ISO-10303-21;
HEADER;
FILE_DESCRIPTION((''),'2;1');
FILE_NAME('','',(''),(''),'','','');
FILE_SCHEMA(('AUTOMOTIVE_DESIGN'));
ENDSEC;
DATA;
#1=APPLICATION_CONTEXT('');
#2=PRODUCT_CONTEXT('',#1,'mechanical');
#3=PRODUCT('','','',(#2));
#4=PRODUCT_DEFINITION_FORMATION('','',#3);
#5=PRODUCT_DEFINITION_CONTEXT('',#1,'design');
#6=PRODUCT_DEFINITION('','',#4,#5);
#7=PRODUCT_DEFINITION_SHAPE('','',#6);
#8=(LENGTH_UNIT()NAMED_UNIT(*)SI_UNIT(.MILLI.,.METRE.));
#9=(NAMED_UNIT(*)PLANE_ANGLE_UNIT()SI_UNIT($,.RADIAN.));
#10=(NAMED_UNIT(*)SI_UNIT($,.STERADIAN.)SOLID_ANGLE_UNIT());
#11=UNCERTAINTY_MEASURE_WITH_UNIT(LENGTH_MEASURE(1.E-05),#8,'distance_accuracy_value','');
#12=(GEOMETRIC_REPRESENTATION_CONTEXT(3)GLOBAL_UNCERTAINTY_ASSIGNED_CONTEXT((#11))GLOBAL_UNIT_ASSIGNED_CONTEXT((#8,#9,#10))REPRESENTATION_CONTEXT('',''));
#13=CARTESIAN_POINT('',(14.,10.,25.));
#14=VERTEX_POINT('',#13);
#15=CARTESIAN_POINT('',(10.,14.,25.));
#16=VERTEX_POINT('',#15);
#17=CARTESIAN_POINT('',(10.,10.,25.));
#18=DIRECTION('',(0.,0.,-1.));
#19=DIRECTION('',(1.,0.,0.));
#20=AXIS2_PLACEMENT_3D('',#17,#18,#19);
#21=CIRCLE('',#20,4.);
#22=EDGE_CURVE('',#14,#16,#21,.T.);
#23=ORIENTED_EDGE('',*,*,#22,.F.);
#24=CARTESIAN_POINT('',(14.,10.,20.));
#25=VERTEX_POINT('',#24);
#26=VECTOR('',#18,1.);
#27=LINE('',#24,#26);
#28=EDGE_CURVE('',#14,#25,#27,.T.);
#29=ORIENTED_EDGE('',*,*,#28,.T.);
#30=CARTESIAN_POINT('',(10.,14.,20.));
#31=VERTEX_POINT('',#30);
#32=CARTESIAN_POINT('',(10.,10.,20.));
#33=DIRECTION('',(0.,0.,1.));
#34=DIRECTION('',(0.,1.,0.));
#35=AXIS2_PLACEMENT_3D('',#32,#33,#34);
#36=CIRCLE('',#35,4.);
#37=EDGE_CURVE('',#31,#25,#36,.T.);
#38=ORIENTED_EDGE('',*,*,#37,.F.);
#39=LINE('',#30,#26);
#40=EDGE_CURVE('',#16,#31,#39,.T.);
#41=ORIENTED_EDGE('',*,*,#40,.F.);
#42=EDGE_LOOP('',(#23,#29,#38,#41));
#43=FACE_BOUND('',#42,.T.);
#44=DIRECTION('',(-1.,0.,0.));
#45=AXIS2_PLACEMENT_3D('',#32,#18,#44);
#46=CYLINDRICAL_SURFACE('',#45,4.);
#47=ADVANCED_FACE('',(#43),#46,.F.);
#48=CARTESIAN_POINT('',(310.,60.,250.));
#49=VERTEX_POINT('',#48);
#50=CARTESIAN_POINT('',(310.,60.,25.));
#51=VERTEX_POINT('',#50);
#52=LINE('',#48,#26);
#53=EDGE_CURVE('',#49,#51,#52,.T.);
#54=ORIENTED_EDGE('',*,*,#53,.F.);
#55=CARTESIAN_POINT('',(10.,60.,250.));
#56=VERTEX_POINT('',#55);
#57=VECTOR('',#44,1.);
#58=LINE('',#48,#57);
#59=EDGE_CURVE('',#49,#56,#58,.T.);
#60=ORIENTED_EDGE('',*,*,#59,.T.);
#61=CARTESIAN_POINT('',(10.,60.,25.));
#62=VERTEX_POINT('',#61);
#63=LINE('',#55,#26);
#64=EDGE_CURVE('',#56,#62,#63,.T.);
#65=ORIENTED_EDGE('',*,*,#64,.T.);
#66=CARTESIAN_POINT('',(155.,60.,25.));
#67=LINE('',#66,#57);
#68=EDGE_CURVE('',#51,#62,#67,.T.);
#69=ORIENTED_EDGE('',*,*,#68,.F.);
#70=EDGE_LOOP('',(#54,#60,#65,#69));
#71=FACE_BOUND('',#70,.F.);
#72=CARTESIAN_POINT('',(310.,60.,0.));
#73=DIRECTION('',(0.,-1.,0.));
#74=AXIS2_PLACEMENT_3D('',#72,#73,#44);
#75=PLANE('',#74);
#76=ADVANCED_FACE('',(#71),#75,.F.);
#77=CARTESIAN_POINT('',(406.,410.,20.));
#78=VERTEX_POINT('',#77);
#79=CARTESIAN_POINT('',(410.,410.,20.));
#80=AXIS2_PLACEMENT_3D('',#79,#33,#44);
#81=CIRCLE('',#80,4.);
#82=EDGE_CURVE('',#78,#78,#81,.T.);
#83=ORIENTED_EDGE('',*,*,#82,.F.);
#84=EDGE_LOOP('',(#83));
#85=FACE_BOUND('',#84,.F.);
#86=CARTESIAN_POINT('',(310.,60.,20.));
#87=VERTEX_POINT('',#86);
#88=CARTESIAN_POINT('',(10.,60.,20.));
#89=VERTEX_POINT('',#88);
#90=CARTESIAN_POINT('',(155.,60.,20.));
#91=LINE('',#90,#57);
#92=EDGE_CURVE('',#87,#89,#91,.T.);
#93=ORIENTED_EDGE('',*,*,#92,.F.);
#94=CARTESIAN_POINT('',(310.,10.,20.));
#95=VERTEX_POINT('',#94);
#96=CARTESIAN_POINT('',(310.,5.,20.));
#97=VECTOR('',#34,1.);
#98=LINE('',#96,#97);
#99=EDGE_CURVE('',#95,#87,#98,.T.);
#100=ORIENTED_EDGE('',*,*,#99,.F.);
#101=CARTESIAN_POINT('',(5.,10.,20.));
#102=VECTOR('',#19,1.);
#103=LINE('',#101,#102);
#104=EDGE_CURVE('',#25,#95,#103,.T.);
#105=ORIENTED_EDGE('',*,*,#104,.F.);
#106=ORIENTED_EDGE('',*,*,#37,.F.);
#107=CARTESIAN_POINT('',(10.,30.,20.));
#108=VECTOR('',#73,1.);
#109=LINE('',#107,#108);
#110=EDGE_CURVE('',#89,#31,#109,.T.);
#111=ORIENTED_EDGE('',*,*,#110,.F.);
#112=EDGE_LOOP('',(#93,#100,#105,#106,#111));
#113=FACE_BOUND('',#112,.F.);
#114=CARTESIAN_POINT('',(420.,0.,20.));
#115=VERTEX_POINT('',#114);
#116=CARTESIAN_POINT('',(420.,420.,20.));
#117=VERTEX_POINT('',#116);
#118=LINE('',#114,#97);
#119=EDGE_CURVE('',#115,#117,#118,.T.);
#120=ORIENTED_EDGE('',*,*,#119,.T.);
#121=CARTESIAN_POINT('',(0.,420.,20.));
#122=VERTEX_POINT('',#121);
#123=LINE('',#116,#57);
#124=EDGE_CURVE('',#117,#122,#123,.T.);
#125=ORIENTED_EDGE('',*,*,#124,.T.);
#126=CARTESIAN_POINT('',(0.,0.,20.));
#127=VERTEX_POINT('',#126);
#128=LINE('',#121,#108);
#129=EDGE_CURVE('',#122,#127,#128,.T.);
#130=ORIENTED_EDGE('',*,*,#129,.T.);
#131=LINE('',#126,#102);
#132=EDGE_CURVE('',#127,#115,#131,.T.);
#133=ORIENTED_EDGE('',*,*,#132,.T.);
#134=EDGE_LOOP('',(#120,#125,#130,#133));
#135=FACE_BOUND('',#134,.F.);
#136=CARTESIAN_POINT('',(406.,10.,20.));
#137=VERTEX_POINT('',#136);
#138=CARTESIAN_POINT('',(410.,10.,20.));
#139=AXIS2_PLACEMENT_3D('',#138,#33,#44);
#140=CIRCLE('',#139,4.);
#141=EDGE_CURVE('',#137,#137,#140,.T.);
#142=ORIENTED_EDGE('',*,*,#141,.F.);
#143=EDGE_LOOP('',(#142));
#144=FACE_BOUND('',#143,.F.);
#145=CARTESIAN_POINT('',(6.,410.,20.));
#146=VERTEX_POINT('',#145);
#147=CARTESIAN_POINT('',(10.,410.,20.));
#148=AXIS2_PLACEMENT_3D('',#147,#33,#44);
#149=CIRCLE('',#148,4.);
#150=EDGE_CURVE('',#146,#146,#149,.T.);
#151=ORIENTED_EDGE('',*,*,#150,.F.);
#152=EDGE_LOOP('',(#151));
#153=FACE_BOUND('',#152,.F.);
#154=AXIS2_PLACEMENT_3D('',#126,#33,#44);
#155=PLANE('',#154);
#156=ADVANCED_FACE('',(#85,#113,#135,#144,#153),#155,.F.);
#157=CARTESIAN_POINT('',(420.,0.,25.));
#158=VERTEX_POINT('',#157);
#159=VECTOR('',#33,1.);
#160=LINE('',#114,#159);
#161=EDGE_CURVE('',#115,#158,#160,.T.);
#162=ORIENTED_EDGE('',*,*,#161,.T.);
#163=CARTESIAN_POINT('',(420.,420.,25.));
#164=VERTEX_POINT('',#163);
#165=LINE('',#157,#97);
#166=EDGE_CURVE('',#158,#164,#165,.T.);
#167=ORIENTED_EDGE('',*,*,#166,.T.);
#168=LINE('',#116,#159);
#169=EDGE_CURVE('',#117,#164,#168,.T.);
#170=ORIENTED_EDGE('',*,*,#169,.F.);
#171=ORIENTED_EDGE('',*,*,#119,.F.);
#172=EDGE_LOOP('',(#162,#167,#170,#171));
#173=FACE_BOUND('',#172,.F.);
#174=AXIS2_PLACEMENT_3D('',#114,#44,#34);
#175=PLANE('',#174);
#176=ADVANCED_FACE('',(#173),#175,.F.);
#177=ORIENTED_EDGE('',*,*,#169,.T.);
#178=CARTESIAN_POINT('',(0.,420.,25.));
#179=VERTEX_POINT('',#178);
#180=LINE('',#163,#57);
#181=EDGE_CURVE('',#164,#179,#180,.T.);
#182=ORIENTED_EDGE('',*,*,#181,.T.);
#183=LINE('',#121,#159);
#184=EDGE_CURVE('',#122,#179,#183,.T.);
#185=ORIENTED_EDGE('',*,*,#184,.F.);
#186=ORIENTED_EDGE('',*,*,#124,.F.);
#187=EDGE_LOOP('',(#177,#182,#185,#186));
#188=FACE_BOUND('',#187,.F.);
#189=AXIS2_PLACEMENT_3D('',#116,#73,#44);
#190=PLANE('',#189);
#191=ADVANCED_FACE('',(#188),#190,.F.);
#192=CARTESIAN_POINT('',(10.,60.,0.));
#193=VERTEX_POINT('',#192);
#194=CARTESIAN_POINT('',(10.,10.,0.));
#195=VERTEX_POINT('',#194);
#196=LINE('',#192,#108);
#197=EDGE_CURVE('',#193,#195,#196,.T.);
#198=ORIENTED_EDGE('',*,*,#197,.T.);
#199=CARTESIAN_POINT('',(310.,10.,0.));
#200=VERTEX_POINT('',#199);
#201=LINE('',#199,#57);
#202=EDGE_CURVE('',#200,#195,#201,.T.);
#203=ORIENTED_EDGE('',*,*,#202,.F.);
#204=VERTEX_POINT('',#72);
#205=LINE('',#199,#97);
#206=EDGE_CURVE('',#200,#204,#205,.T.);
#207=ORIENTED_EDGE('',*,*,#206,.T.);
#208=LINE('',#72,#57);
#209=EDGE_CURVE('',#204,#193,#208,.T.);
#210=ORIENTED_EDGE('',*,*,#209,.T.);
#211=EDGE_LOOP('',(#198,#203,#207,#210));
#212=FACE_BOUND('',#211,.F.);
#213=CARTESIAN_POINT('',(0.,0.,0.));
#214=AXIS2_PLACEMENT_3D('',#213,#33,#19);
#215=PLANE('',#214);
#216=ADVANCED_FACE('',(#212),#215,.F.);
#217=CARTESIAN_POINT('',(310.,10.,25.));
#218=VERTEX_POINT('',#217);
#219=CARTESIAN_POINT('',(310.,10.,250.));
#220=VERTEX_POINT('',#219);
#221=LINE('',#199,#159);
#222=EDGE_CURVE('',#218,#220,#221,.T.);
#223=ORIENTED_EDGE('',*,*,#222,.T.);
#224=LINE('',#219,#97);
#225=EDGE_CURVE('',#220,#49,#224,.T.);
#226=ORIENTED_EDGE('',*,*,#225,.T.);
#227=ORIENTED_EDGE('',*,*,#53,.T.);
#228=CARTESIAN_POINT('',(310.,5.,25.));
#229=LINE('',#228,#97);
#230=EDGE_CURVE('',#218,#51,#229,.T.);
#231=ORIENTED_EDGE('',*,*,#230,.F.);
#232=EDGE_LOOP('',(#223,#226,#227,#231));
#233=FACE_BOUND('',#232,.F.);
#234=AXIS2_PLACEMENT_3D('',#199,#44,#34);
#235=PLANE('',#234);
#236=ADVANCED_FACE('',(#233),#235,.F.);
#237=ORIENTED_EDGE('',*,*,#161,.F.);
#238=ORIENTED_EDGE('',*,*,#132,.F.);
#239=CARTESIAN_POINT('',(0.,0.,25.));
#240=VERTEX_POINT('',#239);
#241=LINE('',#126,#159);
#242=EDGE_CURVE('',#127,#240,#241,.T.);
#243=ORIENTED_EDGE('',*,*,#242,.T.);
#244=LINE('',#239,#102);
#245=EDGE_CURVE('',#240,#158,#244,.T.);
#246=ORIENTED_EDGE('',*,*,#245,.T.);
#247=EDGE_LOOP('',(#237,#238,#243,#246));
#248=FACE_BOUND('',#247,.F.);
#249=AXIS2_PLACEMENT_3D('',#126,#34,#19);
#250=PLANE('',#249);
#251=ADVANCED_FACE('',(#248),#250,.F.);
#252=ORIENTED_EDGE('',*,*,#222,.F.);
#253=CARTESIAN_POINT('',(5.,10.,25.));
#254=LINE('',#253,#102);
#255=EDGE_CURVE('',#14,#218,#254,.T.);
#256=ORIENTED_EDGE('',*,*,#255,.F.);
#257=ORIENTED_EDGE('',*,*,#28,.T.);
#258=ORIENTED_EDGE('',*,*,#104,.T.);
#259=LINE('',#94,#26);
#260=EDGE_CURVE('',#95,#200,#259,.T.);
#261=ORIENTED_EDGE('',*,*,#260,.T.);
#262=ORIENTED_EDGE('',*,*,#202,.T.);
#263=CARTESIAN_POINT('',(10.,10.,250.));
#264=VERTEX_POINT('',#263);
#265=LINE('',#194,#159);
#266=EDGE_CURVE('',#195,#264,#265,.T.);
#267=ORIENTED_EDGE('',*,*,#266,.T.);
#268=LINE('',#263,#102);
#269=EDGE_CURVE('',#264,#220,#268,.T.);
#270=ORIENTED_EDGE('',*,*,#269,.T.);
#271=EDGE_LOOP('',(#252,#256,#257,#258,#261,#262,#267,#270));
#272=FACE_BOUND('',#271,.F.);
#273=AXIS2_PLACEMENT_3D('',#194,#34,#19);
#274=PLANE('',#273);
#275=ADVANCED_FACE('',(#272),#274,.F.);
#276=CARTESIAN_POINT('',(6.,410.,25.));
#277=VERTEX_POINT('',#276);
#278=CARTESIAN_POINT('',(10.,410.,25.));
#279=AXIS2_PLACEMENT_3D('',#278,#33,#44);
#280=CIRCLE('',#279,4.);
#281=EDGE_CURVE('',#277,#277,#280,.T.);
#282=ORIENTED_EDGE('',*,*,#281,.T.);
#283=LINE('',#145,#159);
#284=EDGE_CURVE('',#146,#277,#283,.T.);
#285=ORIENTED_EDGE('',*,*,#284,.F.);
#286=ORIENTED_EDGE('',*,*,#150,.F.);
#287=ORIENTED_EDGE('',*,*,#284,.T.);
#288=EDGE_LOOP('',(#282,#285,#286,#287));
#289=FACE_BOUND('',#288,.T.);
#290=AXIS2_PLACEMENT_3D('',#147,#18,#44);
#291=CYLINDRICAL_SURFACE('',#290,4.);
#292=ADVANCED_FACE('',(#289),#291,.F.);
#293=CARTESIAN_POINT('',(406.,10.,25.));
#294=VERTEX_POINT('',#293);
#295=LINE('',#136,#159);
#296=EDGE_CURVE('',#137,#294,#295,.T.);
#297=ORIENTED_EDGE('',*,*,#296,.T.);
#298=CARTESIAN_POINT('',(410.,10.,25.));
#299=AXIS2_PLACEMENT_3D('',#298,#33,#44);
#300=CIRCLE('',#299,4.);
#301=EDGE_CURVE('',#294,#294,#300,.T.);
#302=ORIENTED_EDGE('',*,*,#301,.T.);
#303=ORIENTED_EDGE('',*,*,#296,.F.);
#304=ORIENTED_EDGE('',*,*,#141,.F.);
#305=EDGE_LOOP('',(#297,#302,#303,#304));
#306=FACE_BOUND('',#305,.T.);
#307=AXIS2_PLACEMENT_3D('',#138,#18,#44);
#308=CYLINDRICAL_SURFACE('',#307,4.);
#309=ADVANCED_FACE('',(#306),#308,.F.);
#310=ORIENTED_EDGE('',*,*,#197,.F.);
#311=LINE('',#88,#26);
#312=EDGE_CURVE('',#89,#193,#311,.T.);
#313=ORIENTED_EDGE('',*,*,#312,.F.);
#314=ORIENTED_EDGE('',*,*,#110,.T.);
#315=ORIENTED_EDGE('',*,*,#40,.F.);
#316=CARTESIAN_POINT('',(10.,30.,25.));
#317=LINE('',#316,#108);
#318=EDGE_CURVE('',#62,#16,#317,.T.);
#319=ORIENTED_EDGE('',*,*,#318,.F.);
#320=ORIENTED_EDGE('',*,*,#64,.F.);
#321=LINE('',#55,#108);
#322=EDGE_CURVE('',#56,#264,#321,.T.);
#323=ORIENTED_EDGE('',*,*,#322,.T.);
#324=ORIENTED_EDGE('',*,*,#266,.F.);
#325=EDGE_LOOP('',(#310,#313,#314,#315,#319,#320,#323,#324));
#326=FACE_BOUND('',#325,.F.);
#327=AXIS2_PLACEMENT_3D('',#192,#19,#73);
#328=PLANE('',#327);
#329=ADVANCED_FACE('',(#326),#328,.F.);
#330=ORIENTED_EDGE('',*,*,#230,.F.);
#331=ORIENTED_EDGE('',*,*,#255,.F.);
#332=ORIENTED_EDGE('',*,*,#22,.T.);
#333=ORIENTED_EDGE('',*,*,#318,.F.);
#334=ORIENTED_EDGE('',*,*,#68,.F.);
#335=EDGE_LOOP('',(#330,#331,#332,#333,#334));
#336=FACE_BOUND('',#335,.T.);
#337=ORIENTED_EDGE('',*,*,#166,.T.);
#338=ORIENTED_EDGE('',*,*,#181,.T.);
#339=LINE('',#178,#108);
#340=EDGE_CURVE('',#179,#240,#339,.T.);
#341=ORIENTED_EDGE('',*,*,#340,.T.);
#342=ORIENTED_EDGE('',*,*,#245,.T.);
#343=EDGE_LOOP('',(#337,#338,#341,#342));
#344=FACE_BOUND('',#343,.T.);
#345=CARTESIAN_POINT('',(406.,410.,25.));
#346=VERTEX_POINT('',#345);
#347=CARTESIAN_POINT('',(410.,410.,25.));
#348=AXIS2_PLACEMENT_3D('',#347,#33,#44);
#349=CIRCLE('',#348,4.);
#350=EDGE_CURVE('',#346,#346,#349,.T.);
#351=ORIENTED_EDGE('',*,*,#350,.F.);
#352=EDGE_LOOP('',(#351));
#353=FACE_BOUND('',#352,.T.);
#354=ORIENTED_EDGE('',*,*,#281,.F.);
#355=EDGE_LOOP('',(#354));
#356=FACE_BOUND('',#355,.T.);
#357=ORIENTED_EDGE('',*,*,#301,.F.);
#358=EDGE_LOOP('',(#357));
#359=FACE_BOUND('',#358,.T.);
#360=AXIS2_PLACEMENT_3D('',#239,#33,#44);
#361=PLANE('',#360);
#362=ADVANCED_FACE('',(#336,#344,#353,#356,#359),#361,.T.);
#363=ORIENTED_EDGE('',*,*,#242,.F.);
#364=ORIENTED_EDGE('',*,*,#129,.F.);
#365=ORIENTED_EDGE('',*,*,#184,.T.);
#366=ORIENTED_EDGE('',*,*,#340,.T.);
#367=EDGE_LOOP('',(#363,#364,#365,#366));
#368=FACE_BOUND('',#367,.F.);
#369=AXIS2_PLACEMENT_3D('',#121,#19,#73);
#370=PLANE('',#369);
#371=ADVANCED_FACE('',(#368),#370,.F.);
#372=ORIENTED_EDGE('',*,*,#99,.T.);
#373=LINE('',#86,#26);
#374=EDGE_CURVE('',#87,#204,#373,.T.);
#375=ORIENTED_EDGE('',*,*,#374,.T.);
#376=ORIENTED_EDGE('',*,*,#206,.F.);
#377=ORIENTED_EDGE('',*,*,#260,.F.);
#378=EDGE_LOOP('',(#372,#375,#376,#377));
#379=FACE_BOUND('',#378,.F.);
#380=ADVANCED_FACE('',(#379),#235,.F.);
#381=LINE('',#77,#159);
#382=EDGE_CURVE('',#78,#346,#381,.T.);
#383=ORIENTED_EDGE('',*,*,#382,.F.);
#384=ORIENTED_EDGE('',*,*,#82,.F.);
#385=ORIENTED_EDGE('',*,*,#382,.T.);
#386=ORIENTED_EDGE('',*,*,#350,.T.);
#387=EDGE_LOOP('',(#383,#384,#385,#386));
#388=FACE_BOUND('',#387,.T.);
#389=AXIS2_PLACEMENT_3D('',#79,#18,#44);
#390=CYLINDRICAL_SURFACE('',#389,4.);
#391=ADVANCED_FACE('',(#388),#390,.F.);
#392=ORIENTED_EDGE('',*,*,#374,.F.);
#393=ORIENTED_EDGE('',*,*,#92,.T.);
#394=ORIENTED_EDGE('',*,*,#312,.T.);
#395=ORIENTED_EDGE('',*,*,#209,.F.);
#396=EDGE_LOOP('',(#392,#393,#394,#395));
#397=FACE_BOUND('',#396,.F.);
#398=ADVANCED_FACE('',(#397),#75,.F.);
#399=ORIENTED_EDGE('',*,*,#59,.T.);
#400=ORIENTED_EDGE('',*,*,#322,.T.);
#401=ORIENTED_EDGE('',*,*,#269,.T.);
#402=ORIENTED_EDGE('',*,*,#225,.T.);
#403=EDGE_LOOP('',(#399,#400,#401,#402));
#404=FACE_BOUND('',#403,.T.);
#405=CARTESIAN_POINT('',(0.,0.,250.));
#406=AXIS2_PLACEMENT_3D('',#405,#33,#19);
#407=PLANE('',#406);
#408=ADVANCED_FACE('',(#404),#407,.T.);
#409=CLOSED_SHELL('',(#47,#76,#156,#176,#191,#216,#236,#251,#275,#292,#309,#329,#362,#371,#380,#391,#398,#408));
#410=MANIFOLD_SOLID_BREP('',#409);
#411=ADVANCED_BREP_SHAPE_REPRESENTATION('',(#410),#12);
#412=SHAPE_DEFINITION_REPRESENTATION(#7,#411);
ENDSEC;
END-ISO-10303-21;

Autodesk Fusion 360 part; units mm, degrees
sketch "Sketch1" plane through (0, 0, 0) normal (0, 0, 1) x (1, 0, 0)
  circle A0 centre (0, 0) radius 2.4955
  dimension "d1" = 4.991
extrude "Extrude1" add sketch "Sketch1" along normal blind 250
thread "Thread1"

Autodesk Fusion 360 part; units mm, degrees
sketch "Sketch1" plane through (0, 0, 0) normal (0, 0, 1) x (1, 0, 0)
  circle A0 centre (10, 10) radius 2.4955
  circle A1 centre (10, 10) radius 5
  dimension "d1" = 4.991
  dimension "d2" = 10
extrude "Extrude1" add sketch "Sketch1" along normal blind 10

Autodesk Fusion 360 part; units mm, degrees
sketch "Sketch1" plane through (0, 0, 0) normal (0, 0, 1) x (1, 0, 0)
  line L0 (0, 0) -> (350, 0)
  line L1 (350, 0) -> (350, 350)
  line L2 (350, 350) -> (0, 350)
  line L3 (0, 350) -> (0, 0)
  line L4 (-10, 0) -> (-10, -10)
  line L5 (-10, -10) -> (360, -10)
  line L6 (360, -10) -> (360, 360)
  line L7 (360, 360) -> (-10, 360)
  line L8 (-10, 360) -> (-10, -10)
  dimension "d1" = 350
  dimension "d2" = 350
  dimension "d3" = 10
  dimension "d4" = 370
  dimension "d5" = 370
extrude "Extrude1" add sketch "Sketch1" along normal blind 75
sketch "Sketch2" plane through (0, 0, 0) normal (0, 0, 1) x (1, 0, 0)
  line L0 (0, 350) -> (350, 350)
  line L1 (350, 350) -> (350, 0)
  line L2 (350, 0) -> (0, 0)
  line L3 (0, 0) -> (0, 350)
extrude "Extrude2" add sketch "Sketch2" along normal blind 5

Autodesk Fusion 360 part; units mm, degrees
sketch "Sketch1" plane through (0, 0, 0) normal (0, 0, 1) x (1, 0, 0)
  line L0 (0, 0) -> (420, 0)
  line L1 (420, 0) -> (420, 420)
  line L2 (420, 420) -> (0, 420)
  line L3 (0, 420) -> (0, 0)
  dimension "d1" = 420
  dimension "d2" = 420
extrude "Extrude1" add sketch "Sketch1" along normal blind 20
sketch "Sketch2" plane through (0, 0, 20) normal (0, 0, 1) x (-1, 0, 0)
  line L0 (0, -420) -> (0, 0)
  line L1 (0, 0) -> (-420, 0)
  line L2 (-420, 0) -> (-420, -420)
  line L3 (-420, -420) -> (0, -420)
  circle A0 centre (-410, -410) radius 4
  circle A1 centre (-10, -410) radius 4
  circle A2 centre (-410, -10) radius 4
  circle A3 centre (-10, -10) radius 4
  dimension "d7" = 400
  dimension "d8" = 8
  dimension "d9" = 8
  dimension "d10" = 400
  dimension "d11" = 400
  dimension "d12" = 8
  dimension "d13" = 8
extrude "Extrude2" cut sketch "Sketch2" against normal blind 100 contours A0 | A1 | A2 | A3
extrude "Extrude3" cut 1 faces at (144.2065, 144.341, 20) along direction (0, 0, -1) blind 10

Autodesk Fusion 360 part; units mm, degrees
sketch "Sketch1" plane through (0, 0, 0) normal (0, 0, 1) x (1, 0, 0)
  line L0 (10, 10) -> (310, 10)
  line L1 (310, 10) -> (310, 60)
  line L2 (310, 60) -> (10, 60)
  line L3 (10, 60) -> (10, 10)
  dimension "d1" = 300
  dimension "d2" = 50
extrude "Extrude1" add sketch "Sketch1" along normal blind 20
